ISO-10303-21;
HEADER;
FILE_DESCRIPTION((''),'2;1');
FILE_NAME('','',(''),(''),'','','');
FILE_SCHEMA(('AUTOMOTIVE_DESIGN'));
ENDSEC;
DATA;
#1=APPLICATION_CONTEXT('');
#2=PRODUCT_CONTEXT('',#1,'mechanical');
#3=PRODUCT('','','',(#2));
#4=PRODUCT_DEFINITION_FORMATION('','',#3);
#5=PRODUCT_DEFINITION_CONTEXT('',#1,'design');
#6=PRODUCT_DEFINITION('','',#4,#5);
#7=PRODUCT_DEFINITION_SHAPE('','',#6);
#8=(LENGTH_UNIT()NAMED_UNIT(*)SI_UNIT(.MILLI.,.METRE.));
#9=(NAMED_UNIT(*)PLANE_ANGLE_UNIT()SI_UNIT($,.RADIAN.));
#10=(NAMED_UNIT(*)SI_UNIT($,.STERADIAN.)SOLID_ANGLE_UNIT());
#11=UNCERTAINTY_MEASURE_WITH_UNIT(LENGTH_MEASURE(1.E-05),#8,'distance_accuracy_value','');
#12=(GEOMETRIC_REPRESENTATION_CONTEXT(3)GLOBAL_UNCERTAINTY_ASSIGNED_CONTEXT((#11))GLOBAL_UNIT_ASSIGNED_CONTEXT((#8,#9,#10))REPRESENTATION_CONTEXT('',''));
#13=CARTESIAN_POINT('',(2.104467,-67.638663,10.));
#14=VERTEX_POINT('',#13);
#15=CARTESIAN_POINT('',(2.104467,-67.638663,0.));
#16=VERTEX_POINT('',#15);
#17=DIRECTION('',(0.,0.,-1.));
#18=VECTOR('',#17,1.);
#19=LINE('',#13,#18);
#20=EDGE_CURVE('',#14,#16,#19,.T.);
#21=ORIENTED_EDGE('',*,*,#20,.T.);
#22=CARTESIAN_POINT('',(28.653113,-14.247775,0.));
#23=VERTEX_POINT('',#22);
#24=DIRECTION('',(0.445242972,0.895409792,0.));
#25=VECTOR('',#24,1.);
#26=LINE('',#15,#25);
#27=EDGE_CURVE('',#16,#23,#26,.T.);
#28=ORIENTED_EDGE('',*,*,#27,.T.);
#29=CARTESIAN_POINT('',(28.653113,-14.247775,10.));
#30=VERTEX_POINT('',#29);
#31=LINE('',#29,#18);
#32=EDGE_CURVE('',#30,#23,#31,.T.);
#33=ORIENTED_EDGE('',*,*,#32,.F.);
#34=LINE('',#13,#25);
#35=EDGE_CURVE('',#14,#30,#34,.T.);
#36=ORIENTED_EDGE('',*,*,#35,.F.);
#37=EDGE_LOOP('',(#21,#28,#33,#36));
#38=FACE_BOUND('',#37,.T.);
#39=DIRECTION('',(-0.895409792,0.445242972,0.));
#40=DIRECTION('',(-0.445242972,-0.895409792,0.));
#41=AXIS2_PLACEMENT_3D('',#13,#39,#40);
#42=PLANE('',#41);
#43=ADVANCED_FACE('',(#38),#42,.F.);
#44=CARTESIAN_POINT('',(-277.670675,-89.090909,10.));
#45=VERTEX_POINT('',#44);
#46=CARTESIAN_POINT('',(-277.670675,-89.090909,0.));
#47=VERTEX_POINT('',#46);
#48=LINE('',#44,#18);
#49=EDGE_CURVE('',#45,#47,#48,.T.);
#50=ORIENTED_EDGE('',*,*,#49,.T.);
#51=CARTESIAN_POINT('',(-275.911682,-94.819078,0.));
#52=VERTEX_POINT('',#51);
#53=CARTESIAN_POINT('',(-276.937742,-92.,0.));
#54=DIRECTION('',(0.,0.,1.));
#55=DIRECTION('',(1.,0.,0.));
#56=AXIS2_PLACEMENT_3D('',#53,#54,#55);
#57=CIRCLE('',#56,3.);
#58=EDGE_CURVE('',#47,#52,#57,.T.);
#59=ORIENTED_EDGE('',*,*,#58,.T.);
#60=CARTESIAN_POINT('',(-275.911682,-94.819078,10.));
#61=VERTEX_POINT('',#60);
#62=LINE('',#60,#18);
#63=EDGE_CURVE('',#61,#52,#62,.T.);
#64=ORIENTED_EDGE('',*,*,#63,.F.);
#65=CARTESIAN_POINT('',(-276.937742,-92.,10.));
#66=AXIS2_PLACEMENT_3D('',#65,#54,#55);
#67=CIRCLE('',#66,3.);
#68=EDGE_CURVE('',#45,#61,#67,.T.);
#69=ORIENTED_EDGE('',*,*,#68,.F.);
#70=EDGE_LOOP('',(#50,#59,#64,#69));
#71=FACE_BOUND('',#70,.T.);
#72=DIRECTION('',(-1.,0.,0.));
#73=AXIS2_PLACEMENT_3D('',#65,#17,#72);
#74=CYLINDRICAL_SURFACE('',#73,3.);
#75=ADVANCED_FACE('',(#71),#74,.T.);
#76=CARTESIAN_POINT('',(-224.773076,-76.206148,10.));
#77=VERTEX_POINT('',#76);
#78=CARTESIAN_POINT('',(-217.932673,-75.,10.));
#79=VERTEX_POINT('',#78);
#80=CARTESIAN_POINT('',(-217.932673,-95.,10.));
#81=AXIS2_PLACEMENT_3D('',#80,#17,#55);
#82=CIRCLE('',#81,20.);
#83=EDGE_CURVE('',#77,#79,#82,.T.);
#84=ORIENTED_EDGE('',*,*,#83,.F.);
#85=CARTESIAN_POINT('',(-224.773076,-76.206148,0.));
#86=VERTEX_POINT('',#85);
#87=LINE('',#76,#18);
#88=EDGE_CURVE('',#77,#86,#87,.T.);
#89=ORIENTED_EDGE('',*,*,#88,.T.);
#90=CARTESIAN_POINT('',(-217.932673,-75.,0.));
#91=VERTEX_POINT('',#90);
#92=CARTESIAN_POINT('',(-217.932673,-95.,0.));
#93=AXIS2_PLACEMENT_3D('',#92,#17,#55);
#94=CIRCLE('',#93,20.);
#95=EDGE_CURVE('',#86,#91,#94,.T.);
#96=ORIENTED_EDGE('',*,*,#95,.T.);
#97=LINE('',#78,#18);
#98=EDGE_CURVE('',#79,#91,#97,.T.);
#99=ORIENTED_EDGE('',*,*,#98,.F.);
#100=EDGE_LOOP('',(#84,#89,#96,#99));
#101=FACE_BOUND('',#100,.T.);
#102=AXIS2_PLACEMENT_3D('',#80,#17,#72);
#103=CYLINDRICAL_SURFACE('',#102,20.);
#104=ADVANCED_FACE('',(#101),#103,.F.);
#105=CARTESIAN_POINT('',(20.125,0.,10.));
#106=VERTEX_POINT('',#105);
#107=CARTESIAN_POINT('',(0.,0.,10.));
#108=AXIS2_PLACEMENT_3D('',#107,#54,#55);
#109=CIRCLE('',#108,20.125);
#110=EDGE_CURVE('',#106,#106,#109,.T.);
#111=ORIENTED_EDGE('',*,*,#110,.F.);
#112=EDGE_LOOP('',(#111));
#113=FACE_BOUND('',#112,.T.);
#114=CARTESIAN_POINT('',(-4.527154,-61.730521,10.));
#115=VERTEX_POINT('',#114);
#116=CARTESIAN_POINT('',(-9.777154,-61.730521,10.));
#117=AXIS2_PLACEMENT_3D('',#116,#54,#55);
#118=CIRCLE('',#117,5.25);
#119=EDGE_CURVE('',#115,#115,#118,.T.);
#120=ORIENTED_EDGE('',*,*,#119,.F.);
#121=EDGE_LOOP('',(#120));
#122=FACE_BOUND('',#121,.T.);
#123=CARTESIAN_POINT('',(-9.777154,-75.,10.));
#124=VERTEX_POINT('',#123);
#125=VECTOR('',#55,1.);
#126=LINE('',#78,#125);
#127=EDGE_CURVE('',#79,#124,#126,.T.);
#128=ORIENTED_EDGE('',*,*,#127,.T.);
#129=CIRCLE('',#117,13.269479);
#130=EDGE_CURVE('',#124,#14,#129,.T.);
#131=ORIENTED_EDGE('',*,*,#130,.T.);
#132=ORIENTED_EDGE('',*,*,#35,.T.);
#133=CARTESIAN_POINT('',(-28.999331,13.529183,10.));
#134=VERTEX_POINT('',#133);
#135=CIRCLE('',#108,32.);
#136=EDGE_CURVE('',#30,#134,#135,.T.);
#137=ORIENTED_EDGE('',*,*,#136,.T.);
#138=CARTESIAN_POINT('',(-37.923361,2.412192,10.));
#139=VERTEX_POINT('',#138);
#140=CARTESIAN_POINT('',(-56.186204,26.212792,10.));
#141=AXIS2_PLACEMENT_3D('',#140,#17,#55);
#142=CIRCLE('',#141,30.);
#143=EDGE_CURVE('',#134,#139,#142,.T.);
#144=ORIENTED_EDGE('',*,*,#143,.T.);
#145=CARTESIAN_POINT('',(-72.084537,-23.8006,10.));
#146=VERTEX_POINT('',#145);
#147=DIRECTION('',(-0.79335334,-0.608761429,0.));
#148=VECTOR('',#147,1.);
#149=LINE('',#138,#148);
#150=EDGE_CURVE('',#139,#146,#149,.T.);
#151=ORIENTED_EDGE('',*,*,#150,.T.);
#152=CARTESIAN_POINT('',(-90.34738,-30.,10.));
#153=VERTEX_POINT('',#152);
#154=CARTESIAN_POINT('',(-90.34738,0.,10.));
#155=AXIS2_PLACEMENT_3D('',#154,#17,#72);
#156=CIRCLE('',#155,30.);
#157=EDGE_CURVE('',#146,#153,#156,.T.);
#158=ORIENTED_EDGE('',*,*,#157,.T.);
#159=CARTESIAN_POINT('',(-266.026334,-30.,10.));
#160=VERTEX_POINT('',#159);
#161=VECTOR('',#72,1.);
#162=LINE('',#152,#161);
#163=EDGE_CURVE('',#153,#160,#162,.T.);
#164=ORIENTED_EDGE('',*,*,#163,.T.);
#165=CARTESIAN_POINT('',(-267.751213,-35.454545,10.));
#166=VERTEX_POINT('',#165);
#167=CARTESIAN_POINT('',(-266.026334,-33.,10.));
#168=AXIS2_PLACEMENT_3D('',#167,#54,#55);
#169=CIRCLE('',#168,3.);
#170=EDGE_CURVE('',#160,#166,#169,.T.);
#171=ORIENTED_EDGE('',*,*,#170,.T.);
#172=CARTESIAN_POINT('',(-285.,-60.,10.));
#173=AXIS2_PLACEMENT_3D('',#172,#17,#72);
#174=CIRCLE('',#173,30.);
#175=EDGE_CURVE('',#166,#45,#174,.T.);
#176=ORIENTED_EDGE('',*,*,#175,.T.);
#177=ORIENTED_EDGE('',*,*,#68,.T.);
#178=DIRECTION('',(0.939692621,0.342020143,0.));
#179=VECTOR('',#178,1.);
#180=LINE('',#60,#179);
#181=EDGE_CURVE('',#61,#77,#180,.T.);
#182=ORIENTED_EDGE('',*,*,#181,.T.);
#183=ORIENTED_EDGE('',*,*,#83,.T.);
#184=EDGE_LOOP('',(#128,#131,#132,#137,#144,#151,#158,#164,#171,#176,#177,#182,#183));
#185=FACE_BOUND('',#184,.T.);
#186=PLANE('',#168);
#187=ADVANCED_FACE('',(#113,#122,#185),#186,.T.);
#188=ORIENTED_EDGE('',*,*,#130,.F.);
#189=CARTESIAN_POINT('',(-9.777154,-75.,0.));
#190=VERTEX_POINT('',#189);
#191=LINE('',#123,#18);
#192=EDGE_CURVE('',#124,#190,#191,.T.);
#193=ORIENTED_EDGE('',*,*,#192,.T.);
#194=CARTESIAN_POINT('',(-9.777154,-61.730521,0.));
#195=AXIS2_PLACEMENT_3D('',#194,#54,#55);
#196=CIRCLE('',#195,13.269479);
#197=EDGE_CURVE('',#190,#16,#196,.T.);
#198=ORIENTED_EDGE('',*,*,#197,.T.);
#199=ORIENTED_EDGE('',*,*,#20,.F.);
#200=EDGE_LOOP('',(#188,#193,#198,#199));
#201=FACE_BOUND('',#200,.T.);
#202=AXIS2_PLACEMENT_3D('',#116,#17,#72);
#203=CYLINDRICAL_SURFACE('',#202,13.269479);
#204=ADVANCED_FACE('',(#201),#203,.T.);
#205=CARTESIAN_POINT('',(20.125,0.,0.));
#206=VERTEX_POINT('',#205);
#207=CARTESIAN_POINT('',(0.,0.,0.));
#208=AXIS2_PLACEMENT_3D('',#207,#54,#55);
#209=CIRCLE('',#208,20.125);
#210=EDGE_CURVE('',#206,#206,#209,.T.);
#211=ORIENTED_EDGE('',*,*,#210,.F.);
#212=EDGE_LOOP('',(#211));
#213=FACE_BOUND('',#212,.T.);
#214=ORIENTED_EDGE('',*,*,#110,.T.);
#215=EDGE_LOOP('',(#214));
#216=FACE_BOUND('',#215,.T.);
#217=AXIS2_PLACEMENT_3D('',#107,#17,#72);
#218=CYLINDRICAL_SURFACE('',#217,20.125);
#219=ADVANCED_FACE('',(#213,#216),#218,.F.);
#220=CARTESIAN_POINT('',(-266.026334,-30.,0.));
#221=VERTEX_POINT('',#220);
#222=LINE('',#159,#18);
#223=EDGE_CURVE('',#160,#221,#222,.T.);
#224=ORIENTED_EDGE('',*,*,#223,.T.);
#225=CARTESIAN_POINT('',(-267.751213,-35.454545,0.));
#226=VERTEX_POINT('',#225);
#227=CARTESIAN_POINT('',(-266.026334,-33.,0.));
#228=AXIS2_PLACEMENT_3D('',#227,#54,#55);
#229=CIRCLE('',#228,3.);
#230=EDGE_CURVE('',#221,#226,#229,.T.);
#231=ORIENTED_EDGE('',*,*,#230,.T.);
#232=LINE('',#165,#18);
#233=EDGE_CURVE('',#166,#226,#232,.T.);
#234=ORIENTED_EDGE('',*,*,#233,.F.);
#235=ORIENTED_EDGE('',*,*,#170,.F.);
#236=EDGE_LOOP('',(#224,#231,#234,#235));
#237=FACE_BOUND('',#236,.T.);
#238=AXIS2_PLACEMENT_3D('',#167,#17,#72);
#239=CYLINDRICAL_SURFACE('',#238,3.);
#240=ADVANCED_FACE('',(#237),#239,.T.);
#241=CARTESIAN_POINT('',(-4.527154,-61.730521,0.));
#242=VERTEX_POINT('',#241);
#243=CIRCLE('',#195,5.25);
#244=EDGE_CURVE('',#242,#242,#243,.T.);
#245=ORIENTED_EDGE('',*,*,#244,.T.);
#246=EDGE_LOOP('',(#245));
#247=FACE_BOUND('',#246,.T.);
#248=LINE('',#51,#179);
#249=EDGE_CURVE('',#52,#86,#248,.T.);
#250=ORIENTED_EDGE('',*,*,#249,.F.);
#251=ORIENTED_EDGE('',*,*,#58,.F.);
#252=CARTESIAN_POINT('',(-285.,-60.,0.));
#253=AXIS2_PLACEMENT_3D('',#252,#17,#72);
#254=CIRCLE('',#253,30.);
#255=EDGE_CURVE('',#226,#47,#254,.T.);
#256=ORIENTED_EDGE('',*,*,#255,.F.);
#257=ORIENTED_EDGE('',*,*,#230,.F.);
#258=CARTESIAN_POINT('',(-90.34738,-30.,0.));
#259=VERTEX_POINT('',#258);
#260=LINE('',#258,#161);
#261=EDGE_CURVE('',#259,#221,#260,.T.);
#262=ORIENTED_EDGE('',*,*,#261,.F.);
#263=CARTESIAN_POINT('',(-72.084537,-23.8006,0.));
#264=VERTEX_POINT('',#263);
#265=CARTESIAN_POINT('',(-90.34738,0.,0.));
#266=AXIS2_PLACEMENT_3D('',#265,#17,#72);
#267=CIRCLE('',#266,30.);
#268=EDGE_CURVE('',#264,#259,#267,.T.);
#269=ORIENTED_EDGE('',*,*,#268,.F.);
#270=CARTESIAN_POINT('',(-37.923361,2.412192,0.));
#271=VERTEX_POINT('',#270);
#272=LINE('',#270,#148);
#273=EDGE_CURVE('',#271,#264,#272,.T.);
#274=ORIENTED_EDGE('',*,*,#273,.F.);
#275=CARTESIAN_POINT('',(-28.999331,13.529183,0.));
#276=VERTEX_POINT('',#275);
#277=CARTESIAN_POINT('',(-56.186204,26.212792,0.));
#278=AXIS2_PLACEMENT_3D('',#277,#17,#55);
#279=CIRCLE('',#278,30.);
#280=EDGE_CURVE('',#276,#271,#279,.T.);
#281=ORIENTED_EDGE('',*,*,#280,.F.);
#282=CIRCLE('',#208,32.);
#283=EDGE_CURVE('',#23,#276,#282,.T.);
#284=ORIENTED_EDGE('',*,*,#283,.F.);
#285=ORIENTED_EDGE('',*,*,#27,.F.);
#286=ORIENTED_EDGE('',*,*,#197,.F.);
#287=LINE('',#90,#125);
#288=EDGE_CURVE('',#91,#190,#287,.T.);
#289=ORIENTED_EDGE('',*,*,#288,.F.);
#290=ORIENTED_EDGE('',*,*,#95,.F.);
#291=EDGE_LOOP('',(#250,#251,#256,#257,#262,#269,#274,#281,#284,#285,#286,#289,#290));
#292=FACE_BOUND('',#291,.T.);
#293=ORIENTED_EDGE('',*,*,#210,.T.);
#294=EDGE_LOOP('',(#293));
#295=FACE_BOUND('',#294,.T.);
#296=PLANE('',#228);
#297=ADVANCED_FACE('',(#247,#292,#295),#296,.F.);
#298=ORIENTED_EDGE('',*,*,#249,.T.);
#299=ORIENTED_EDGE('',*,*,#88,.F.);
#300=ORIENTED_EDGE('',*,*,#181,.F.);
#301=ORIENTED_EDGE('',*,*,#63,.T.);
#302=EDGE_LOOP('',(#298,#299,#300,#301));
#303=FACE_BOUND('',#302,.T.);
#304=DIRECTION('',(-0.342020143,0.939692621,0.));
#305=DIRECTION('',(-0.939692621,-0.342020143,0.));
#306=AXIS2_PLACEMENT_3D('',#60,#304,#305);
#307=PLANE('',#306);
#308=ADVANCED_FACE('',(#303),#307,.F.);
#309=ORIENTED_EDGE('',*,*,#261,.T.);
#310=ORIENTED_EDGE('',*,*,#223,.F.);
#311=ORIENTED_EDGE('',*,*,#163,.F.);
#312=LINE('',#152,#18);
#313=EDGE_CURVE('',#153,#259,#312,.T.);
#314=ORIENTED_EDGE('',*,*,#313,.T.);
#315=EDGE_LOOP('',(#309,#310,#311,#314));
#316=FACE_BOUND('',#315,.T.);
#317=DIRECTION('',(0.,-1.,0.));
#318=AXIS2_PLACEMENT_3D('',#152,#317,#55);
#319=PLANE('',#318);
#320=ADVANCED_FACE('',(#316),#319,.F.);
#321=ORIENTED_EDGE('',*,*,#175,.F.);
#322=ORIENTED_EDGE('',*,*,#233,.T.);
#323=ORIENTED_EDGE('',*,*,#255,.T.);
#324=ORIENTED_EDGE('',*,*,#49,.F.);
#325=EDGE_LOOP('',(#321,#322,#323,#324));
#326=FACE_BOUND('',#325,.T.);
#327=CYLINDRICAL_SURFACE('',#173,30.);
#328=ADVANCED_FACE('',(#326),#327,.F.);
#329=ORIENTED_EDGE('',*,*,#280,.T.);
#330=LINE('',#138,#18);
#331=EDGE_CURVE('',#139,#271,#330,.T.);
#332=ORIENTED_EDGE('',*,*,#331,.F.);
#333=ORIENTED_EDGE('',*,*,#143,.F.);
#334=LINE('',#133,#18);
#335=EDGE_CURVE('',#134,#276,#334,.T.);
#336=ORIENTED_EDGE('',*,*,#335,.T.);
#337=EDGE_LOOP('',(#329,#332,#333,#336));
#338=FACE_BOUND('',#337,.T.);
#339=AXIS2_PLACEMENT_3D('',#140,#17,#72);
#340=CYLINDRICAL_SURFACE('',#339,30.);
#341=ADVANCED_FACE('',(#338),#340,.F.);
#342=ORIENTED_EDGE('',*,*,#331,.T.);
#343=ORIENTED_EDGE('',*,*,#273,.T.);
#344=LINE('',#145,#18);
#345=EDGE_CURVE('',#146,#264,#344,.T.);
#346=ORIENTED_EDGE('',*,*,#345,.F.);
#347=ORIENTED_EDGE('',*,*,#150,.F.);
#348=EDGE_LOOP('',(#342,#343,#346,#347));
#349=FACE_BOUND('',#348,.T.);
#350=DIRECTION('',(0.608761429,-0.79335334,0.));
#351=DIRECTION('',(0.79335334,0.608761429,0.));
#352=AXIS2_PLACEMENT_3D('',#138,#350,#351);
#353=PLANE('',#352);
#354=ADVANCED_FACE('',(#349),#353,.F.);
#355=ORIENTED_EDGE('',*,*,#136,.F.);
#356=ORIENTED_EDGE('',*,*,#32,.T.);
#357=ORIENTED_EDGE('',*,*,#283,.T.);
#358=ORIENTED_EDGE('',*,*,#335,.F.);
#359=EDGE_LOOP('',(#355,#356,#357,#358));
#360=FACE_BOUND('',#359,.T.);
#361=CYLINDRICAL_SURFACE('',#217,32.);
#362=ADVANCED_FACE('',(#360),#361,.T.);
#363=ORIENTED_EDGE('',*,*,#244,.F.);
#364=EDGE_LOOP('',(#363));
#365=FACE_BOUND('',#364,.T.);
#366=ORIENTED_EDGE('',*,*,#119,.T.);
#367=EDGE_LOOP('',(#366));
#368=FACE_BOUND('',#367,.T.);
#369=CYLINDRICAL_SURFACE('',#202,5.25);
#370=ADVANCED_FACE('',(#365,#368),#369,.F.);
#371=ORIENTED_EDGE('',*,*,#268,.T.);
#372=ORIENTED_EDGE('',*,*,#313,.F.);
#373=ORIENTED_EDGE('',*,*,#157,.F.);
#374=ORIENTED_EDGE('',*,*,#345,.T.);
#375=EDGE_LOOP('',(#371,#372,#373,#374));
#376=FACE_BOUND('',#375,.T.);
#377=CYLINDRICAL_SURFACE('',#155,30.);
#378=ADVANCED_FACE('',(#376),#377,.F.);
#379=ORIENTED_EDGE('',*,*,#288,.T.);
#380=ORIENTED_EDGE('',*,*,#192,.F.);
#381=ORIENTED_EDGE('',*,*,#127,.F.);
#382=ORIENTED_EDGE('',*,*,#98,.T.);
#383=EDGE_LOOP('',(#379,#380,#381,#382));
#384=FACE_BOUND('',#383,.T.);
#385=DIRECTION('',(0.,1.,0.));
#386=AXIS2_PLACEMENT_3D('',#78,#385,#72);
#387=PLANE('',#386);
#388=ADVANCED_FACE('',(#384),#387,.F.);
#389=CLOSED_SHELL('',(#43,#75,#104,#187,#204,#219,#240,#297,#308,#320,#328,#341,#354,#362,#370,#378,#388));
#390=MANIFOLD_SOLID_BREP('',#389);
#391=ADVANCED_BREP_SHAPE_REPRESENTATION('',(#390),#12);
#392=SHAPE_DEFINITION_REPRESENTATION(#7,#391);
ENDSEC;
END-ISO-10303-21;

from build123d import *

# Parameters (mm, degrees)
SKETCH1_R      = 20.125
SKETCH1_R_2    = 5.25
EXTRUDE1_DEPTH = 10


with BuildPart() as part:
    # Sketch1 → Extrude1 (new body)
    with BuildSketch(Plane.XY):
        with BuildLine():
            Line((-37.923361282, 2.412191764), (-72.084536873, -23.800600209))
            ThreePointArc((-72.084536873, -23.800600209), (-80.704195785, -28.407903885), (-90.347379744, -30))
            Line((-90.347379744, -30), (-266.026334039, -30))
            ThreePointArc((-266.026334039, -30), (-268.886721807, -32.095465966), (-267.751212763, -35.454545455))
            ThreePointArc((-267.751212763, -35.454545455), (-255.500241033, -65.45565953), (-277.670674774, -89.090909091))
            ThreePointArc((-277.670674774, -89.090909091), (-279.805574248, -92.880647284), (-275.911681822, -94.819077862))
            Line((-275.911681822, -94.819077862), (-224.773076173, -76.206147584))
            ThreePointArc((-224.773076173, -76.206147584), (-221.40563686, -75.30384494), (-217.932673306, -75))
            Line((-217.932673306, -75), (-9.777154065, -75))
            ThreePointArc((-9.777154065, -75), (-2.78855267, -73.010526422), (2.10446711, -67.638663429))
            Line((2.10446711, -67.638663429), (28.653113345, -14.247775111))
            ThreePointArc((28.653113345, -14.247775111), (13.889557824, 28.828461344), (-28.999331175, 13.529182954))
            ThreePointArc((-28.999331175, 13.529182954), (-32.791417533, 7.432910208), (-37.923361282, 2.412191764))
        make_face()
        Circle(SKETCH1_R, mode=Mode.SUBTRACT)
        with Locations((-9.777154065, -61.730521287)):
            Circle(SKETCH1_R_2, mode=Mode.SUBTRACT)
    extrude(amount=EXTRUDE1_DEPTH)


solid = part.part
